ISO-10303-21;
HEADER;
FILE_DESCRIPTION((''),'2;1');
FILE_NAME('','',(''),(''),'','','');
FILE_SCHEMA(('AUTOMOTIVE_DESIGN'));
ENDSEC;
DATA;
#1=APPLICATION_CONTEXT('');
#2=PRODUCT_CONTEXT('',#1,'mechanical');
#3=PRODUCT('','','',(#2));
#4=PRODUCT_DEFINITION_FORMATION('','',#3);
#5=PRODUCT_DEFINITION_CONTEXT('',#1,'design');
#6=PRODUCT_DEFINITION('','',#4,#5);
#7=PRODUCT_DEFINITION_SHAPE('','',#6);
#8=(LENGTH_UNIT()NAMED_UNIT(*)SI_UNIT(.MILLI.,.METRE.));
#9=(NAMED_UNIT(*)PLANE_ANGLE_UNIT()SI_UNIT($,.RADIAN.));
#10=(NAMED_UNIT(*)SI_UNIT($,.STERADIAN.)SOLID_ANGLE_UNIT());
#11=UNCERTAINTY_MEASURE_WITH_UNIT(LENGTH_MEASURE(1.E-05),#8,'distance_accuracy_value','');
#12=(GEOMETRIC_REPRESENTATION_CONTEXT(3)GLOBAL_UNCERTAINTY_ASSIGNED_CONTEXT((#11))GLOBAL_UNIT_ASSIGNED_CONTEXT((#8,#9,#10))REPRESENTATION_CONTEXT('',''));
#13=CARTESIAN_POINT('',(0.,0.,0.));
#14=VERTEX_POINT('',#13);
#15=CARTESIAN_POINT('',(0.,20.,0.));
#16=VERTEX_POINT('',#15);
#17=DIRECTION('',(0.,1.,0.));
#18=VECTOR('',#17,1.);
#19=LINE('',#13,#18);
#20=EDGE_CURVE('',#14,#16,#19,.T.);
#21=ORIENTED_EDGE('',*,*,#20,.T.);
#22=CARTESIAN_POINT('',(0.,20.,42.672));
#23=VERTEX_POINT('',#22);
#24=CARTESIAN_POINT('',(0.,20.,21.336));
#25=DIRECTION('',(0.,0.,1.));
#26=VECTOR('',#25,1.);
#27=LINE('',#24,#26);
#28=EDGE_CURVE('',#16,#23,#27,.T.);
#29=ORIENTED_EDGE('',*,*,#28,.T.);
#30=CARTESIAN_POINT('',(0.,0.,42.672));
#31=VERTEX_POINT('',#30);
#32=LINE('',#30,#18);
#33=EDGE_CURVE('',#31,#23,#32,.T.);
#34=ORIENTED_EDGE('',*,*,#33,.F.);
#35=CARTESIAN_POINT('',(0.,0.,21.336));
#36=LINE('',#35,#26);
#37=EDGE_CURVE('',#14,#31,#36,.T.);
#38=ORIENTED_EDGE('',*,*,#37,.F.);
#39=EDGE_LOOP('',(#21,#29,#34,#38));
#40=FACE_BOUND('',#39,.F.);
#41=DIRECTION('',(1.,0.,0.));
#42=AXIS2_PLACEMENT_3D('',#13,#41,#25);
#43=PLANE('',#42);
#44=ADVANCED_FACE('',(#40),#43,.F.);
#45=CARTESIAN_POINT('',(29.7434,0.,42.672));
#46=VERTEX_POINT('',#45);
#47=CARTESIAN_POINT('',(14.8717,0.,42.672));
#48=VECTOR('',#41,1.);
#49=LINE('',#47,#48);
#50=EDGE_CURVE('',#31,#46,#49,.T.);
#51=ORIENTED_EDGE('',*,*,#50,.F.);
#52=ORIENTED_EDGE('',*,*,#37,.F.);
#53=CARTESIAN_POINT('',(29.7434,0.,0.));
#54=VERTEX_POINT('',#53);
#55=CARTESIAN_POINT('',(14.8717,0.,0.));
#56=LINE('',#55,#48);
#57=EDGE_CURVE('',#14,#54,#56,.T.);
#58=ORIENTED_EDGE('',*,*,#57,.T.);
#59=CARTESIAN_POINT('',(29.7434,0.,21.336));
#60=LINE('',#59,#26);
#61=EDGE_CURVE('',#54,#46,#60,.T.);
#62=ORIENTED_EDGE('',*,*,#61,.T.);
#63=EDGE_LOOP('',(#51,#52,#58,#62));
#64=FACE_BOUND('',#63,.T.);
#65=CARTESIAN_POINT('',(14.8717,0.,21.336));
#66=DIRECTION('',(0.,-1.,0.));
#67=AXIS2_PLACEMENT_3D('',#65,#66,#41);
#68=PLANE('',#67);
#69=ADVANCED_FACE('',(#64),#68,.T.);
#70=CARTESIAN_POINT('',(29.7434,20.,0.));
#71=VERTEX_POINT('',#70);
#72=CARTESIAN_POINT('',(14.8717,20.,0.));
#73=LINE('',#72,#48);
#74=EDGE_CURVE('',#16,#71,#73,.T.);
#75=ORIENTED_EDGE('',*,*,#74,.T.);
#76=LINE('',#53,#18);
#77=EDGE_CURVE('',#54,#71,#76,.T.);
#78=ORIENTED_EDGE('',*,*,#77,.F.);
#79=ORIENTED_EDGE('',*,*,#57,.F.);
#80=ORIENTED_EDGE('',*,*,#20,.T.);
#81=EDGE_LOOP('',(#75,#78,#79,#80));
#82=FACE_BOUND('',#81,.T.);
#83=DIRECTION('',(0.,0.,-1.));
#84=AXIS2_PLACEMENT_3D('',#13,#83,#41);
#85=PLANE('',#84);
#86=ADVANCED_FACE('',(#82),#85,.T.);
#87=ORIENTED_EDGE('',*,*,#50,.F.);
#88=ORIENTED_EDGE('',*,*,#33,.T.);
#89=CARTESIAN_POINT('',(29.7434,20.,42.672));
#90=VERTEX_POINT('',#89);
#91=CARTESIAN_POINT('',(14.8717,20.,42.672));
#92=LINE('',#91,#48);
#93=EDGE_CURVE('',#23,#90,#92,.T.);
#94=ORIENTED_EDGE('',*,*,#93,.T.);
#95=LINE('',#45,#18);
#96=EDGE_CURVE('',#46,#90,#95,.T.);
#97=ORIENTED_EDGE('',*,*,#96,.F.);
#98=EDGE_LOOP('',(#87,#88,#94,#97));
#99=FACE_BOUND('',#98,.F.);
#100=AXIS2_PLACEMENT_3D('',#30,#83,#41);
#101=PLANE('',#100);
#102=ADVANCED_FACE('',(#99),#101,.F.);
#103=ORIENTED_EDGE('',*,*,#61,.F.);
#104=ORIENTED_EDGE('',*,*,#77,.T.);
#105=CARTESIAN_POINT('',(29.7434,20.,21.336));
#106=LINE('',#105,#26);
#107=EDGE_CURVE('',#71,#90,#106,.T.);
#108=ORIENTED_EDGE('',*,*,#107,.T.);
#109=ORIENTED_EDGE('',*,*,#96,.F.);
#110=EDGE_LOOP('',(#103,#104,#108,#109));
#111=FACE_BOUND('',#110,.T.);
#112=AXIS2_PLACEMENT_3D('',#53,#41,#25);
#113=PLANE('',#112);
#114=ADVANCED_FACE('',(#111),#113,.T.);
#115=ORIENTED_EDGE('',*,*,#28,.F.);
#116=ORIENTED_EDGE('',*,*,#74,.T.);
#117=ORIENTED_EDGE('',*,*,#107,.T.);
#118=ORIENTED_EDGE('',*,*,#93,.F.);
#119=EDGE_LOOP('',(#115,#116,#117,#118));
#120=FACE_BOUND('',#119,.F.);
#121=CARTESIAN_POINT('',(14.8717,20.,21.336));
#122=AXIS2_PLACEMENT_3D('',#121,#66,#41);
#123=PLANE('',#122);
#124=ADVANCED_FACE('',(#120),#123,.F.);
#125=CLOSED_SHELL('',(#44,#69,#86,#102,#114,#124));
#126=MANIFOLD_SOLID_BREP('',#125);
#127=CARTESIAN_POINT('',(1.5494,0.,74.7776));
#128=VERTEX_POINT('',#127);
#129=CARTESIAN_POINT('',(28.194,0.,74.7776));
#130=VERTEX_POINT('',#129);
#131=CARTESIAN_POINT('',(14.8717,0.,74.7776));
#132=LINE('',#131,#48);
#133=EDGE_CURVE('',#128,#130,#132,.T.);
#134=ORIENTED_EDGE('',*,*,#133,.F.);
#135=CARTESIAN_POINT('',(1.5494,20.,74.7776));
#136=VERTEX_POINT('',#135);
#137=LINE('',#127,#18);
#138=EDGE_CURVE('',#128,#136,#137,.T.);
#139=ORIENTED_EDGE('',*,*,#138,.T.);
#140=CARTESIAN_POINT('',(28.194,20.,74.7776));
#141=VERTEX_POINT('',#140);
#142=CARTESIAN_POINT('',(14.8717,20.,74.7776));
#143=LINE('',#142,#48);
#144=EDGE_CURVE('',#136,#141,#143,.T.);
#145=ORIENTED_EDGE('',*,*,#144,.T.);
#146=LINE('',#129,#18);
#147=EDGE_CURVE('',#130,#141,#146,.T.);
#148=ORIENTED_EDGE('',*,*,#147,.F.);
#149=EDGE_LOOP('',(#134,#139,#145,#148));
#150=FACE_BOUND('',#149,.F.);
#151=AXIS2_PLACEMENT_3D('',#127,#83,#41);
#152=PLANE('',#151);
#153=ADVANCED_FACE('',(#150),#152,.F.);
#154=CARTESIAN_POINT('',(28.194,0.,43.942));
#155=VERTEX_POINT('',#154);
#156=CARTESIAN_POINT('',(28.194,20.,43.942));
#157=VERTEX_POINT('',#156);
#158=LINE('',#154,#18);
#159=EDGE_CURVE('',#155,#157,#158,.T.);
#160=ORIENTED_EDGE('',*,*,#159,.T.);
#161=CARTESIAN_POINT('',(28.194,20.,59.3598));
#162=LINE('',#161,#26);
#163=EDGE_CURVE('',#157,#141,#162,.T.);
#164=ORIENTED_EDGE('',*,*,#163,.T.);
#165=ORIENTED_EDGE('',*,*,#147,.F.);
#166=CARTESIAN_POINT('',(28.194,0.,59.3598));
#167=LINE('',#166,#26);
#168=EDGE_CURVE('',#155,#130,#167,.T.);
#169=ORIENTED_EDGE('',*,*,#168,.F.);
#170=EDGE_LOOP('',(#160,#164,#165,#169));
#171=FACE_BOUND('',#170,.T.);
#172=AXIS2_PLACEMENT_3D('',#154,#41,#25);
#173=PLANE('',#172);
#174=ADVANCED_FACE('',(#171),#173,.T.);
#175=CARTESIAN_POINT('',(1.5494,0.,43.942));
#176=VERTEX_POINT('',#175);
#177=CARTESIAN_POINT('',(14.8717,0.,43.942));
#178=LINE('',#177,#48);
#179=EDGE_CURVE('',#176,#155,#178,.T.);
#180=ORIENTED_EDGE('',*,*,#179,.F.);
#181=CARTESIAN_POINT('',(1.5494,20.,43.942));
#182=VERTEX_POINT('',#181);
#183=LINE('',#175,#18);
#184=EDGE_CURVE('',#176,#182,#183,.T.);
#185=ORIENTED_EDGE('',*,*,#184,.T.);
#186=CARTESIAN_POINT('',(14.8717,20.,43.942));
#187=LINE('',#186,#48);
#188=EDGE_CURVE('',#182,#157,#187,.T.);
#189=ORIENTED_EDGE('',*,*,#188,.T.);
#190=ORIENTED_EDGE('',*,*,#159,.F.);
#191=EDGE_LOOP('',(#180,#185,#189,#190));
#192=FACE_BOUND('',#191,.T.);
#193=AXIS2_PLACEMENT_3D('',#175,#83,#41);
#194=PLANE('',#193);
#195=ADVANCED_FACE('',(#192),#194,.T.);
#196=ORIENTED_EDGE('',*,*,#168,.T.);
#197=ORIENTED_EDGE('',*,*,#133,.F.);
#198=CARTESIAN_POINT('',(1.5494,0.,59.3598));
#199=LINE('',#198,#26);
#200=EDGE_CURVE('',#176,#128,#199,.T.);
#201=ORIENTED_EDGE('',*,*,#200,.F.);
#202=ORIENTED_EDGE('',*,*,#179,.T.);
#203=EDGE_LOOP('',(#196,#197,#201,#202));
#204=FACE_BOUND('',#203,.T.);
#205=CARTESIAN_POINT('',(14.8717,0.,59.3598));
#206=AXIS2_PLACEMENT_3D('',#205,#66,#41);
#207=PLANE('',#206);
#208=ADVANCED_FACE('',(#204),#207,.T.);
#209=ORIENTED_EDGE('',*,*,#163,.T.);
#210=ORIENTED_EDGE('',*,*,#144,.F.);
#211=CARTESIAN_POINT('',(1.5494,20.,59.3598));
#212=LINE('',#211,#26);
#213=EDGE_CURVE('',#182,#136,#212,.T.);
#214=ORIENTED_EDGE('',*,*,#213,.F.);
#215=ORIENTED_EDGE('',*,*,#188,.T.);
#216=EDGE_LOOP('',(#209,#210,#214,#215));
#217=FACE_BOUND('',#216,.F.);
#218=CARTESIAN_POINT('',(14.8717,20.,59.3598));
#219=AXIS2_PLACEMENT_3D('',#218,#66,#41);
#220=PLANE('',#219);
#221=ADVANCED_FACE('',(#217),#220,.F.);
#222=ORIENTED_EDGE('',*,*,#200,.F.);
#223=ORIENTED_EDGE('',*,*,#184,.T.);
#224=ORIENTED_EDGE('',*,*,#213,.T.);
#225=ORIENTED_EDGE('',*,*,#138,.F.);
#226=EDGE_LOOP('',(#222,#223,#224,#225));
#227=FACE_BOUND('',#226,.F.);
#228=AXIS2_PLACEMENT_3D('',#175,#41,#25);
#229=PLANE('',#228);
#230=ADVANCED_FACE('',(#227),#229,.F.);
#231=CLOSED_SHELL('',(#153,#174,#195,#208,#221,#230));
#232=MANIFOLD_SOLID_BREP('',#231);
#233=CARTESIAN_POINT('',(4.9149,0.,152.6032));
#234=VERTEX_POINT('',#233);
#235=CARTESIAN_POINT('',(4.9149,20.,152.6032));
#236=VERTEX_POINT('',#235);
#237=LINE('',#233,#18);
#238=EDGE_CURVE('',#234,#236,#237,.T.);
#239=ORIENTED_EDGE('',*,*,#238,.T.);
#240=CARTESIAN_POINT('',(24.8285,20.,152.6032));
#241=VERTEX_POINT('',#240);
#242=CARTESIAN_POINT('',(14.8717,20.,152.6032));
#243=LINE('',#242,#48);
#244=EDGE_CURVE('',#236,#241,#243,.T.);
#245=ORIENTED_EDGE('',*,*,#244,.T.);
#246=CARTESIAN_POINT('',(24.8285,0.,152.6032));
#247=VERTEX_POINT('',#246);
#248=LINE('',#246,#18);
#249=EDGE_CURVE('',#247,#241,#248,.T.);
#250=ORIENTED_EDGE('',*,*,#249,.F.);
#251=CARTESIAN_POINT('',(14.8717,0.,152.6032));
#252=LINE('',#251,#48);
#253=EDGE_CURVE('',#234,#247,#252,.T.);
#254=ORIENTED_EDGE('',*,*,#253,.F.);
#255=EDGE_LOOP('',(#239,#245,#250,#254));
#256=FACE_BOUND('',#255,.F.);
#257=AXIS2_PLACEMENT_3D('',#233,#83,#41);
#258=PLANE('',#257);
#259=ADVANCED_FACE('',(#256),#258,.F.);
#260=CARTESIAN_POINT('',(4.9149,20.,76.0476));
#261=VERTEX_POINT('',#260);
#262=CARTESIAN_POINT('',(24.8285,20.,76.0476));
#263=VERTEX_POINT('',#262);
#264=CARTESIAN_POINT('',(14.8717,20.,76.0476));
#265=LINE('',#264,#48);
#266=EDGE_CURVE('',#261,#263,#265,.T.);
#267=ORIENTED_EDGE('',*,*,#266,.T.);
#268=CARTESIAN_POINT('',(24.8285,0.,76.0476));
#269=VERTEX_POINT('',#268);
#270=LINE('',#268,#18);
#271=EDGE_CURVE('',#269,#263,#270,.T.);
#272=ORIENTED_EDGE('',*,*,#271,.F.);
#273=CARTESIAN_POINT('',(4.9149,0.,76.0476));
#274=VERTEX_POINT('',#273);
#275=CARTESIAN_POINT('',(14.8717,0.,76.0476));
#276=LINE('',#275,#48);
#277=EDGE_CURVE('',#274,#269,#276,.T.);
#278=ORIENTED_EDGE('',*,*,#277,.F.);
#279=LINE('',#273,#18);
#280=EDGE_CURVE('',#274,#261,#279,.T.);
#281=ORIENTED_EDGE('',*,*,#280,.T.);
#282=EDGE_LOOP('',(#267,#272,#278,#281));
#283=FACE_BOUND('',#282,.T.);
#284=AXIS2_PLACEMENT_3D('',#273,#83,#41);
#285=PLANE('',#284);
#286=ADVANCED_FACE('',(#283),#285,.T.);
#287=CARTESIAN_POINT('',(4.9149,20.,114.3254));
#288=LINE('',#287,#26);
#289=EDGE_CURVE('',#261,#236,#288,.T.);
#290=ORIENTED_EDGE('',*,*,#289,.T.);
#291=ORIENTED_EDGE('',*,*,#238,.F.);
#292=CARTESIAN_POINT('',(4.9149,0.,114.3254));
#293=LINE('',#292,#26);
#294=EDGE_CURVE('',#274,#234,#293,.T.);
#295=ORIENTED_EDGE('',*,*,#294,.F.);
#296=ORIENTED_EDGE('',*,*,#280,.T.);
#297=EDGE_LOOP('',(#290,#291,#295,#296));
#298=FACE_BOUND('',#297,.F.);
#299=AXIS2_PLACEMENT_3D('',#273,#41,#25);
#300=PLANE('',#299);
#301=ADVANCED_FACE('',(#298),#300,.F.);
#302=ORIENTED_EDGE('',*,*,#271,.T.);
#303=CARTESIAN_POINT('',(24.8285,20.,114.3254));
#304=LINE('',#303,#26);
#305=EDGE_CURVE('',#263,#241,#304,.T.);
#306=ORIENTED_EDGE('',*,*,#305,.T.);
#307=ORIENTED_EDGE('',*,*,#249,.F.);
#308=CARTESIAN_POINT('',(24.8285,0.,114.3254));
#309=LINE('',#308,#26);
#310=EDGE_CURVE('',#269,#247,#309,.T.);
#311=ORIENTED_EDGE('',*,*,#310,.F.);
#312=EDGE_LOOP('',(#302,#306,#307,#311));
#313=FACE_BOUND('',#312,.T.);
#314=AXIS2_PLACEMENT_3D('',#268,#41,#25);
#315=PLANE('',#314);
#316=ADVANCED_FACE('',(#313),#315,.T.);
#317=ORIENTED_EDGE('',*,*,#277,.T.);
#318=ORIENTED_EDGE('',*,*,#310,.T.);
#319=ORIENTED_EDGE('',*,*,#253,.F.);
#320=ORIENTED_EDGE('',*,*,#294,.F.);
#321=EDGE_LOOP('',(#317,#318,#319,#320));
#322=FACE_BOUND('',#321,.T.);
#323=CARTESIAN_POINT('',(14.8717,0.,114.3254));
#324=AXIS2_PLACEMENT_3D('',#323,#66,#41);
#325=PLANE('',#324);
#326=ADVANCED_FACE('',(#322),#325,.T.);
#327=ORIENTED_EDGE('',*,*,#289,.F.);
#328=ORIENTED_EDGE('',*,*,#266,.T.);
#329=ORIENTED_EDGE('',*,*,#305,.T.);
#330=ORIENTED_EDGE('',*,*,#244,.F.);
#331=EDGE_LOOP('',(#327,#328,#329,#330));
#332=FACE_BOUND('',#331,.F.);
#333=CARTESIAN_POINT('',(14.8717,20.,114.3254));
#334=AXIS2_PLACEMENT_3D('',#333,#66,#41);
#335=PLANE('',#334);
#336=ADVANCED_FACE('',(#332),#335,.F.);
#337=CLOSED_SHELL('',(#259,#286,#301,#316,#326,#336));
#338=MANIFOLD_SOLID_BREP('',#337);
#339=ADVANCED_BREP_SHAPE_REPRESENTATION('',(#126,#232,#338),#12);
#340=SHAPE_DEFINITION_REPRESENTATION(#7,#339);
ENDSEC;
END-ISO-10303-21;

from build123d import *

# Parameters (mm, degrees)
F0_W     = 29.7434
F0_H     = 42.672
F0_W_2   = 26.6446
F0_H_2   = 30.8356
F0_W_3   = 19.9136
F0_H_3   = 76.5556
F1_DEPTH = 20


with BuildPart() as f1:
    # F0 (on Front) → F1 (new body)
    with BuildSketch(Plane.XZ):
        with Locations((14.8717, 21.336)):
            Rectangle(F0_W, F0_H)
        with Locations((14.8717, 59.3598)):
            Rectangle(F0_W_2, F0_H_2)
        with Locations((14.8717, 114.3254)):
            Rectangle(F0_W_3, F0_H_3)
    extrude(amount=-F1_DEPTH)


solid = f1.part
